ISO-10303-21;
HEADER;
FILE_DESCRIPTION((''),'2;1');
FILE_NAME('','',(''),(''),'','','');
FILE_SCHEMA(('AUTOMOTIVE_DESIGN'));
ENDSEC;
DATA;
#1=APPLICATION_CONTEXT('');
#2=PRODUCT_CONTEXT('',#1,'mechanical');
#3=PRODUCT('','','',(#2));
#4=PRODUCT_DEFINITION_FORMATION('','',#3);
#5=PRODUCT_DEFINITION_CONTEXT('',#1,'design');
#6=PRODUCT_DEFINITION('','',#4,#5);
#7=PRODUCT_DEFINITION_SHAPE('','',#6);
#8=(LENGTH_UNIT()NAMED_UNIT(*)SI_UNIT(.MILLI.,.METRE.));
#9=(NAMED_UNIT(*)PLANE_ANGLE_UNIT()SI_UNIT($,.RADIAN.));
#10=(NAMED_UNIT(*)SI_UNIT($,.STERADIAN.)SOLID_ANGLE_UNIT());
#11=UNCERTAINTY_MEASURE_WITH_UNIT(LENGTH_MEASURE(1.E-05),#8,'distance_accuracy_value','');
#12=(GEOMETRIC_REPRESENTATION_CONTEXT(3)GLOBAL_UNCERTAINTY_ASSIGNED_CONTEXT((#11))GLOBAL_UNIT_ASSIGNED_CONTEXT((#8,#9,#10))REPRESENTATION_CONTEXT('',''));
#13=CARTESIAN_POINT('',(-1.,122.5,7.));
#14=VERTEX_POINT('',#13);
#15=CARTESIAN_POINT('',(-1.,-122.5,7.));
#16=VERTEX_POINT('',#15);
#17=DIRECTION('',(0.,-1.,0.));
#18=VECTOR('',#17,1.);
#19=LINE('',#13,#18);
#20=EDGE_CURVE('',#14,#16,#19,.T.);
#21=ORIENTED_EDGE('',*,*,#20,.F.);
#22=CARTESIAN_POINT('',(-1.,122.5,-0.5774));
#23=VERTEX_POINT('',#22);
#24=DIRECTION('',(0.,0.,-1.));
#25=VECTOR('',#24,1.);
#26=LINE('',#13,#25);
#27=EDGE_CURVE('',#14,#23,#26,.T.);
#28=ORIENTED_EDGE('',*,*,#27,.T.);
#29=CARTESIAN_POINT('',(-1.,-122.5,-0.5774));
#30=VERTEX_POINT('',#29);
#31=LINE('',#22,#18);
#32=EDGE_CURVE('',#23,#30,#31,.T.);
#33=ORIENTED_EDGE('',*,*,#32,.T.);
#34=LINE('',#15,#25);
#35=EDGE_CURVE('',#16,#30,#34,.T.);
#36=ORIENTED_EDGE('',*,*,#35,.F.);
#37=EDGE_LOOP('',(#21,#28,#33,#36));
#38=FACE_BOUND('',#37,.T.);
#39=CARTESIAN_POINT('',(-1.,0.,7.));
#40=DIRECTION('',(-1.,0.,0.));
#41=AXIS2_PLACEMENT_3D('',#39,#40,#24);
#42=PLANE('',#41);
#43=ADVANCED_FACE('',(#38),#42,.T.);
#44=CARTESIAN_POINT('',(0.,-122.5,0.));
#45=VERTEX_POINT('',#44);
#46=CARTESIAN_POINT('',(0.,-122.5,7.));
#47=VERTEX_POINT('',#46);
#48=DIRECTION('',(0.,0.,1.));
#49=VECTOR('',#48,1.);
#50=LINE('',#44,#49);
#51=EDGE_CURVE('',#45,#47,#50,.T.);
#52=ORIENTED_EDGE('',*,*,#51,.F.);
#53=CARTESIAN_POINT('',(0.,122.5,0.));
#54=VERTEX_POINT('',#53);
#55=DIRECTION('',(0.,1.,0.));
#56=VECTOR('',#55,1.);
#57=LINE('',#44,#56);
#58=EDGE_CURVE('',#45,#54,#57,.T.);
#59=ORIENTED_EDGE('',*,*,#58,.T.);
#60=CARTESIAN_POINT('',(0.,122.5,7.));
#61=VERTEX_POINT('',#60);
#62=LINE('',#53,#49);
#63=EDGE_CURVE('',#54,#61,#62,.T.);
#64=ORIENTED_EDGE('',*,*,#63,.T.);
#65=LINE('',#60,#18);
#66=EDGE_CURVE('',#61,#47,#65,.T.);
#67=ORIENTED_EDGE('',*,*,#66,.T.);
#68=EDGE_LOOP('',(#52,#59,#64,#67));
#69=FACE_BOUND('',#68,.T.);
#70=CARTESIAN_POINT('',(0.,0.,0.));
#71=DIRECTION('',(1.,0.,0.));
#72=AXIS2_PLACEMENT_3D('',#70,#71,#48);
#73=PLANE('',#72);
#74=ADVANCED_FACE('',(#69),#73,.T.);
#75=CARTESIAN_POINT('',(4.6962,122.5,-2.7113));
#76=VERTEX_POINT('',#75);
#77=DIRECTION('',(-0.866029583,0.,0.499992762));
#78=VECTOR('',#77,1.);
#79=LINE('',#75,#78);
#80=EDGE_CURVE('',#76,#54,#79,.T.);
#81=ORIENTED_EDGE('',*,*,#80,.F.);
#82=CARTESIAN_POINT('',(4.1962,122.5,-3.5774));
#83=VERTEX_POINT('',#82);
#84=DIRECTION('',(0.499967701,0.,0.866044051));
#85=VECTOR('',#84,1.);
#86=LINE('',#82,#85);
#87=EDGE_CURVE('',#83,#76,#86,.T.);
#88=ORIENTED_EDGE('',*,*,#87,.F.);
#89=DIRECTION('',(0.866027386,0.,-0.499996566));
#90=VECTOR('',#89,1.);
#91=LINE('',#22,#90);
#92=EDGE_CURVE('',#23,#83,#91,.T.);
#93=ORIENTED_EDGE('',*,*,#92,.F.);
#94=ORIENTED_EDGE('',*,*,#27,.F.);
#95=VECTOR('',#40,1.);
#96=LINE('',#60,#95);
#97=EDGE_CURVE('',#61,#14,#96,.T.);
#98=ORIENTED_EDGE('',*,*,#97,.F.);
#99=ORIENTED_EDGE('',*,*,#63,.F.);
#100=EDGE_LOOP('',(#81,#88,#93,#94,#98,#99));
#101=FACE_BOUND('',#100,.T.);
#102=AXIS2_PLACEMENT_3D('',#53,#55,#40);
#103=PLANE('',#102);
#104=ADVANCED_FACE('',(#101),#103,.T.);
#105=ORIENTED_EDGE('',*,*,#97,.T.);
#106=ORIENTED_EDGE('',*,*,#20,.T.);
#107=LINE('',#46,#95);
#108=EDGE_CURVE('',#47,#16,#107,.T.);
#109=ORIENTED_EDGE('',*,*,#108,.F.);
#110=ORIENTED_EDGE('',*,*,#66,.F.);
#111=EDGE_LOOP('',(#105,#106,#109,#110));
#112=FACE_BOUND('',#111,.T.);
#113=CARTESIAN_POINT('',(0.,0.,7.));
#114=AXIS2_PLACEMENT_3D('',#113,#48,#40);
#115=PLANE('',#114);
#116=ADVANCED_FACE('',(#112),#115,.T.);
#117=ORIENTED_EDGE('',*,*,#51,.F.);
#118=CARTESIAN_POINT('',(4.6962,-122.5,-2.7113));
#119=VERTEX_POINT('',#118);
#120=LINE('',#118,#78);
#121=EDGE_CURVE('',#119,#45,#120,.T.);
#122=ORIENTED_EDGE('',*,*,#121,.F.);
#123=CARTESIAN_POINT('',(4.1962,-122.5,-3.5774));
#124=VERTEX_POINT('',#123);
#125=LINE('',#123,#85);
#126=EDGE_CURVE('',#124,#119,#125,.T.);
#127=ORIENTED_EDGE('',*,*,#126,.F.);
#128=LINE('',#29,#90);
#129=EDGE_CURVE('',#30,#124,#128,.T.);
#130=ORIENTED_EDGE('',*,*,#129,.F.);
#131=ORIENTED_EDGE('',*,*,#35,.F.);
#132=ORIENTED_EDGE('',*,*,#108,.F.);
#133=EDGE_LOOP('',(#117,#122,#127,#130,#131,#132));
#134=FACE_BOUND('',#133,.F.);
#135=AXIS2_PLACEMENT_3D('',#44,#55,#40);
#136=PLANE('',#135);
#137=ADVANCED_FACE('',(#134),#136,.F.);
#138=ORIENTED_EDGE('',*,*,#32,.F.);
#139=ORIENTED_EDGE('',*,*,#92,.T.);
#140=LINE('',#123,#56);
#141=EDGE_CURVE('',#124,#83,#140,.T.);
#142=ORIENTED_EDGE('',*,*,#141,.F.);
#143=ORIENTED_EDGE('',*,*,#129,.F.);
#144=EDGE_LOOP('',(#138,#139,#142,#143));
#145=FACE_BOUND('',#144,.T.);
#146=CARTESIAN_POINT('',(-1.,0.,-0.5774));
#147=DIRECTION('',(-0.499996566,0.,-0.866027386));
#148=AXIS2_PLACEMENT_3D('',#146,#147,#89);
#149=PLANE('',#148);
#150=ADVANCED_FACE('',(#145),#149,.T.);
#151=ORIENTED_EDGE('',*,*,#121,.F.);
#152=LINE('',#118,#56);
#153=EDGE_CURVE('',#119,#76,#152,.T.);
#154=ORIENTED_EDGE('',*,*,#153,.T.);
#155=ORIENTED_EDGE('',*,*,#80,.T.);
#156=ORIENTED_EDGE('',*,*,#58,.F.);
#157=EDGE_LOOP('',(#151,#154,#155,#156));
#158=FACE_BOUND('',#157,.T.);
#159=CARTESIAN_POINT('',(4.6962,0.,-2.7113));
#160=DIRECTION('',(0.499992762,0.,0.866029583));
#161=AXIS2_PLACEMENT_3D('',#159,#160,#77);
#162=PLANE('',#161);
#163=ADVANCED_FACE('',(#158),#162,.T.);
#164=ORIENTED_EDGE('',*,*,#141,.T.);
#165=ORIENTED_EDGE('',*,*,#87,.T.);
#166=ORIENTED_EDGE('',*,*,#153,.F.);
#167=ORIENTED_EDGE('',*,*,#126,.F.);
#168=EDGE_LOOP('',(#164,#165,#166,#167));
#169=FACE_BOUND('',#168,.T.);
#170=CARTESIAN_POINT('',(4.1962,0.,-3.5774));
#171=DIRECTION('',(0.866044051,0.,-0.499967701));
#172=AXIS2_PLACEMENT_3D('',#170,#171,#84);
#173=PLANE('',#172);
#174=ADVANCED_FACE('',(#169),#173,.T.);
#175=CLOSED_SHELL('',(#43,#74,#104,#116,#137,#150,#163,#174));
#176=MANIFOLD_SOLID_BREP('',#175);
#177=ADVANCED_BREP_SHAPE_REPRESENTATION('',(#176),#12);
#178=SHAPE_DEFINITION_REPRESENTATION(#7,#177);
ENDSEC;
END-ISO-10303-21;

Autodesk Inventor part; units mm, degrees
ref_plane "YZ Plane" through (0, 0, 0) normal (1, 0, 0) x (0, 1, 0)
ref_plane "XZ Plane" through (0, 0, 0) normal (0, 1, 0) x (-1, 0, 0)
ref_plane "XY Plane" through (0, 0, 0) normal (0, 0, 1) x (1, 0, 0)
sketch "スケッチ1" plane through (0, 0, 0) normal (0, 1, 0) x (-1, 0, 0)
  line L0 (0, 0) -> (0, 7)
  line L1 (0, 7) -> (1, 7)
  line L2 (1, 7) -> (1, -0.5774)
  line L3 (1, -0.5774) -> (-4.1962, -3.5774)
  line L4 (-4.1962, -3.5774) -> (-4.6962, -2.7113)
  line L5 (-4.6962, -2.7113) -> (0, 0)
  dimension "d0" = 7
  dimension "d1" = 1
  dimension "d2" = 1
  dimension "d5" = 120
  dimension "d6" = 6
extrude "押し出し1" add sketch "スケッチ1" along normal mid plane 245
properties part number "gurnee_top"
